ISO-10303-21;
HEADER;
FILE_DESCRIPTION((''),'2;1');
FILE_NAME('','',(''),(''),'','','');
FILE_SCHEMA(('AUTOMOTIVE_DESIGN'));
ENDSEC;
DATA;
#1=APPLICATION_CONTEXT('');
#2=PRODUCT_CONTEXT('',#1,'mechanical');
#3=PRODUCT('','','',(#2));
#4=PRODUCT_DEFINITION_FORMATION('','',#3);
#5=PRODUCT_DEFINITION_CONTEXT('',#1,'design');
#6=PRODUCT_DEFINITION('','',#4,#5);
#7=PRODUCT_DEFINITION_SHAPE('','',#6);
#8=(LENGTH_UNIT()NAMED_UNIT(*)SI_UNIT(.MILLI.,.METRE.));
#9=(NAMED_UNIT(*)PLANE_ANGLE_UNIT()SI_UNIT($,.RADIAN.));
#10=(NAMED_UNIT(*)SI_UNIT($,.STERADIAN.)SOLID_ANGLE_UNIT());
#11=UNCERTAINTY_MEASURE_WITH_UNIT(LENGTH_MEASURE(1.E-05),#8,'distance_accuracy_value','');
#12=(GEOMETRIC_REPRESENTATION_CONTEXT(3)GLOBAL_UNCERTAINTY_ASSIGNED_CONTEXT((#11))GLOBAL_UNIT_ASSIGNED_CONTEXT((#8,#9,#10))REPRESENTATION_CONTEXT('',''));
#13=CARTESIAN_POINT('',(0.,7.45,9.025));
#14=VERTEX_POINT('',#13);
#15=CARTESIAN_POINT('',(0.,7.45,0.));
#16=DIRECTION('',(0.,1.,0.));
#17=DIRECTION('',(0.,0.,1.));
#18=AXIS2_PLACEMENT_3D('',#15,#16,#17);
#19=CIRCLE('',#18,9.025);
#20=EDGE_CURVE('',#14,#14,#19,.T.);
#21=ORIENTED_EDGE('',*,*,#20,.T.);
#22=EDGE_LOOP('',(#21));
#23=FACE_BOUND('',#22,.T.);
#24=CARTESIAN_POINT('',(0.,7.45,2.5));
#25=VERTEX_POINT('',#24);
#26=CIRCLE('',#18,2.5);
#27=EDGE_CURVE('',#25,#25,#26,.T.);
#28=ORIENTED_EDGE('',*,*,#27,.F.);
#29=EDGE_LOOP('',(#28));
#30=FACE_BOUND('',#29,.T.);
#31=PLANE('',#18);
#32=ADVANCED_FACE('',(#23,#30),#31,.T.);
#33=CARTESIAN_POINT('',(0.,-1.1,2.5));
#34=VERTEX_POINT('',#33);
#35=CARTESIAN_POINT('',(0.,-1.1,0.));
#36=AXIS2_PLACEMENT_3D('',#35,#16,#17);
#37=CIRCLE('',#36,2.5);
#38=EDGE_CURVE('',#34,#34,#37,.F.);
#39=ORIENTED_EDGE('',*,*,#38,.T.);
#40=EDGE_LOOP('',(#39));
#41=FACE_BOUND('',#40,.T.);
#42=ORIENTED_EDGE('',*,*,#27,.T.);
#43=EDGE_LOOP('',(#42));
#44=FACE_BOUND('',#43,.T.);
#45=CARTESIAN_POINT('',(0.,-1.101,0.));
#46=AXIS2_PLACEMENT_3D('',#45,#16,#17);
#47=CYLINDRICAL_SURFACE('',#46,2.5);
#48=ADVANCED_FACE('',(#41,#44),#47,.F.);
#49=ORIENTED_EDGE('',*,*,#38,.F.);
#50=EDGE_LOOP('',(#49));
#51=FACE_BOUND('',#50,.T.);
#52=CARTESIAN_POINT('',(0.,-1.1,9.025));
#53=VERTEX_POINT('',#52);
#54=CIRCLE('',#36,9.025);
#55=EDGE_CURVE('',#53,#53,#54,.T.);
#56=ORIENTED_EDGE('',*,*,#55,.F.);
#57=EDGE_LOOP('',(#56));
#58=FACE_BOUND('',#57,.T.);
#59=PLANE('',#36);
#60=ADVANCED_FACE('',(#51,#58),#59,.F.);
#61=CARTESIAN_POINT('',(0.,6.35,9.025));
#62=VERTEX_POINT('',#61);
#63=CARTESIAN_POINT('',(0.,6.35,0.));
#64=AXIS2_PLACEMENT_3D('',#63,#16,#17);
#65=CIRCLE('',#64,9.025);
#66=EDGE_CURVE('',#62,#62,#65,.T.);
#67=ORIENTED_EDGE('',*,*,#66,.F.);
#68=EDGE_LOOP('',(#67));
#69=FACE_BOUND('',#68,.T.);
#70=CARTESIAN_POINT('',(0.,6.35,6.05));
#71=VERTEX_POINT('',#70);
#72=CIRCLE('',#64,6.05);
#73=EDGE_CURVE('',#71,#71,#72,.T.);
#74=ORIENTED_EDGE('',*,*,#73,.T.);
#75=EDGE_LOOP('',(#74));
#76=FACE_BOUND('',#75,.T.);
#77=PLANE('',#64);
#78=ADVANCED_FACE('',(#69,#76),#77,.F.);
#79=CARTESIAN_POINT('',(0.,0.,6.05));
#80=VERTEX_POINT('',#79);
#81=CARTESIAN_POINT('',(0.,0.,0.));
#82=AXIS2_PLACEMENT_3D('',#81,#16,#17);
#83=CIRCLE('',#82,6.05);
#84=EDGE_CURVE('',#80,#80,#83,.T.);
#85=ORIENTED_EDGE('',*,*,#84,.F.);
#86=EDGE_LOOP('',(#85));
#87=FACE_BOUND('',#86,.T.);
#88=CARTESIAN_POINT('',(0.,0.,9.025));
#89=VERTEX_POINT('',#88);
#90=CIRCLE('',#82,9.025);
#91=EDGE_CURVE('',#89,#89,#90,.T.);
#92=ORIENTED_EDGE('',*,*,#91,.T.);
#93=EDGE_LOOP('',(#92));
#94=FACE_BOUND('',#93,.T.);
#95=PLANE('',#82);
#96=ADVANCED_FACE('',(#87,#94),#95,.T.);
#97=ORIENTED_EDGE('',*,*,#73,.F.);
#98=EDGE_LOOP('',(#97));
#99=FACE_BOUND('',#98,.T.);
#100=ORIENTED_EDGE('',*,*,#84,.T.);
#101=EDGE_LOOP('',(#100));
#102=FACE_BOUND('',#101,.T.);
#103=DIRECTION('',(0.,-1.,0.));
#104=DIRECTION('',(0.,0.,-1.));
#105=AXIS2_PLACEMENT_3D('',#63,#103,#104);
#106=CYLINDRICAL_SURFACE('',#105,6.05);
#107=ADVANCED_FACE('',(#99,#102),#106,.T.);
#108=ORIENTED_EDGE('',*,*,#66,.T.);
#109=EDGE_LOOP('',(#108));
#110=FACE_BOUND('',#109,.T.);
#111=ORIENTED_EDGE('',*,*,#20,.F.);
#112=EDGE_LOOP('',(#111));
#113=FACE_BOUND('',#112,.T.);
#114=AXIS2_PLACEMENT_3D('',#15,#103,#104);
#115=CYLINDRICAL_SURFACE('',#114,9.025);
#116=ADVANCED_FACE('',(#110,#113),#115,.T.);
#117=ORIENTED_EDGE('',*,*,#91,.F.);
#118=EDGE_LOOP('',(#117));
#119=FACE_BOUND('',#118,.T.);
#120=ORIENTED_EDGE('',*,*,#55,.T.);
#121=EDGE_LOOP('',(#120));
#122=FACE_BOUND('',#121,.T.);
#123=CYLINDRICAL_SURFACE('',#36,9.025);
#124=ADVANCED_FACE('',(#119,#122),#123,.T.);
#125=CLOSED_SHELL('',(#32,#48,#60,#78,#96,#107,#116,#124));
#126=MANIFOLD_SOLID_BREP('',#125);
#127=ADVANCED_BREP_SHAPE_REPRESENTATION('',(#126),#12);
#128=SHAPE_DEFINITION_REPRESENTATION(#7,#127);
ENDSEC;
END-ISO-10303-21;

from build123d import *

# Parameters (mm, degrees)
SKETCH1_R           = 6.05
BOSS_EXTRUDE1_DEPTH = 6.35
SKETCH1_3_R         = 9.025
BOSS_EXTRUDE2_DEPTH = 1.1
BOSS_EXTRUDE3_START = 7.45
SKETCH1_4_R         = 9.025
BOSS_EXTRUDE3_DEPTH = 1.1
CUT_EXTRUDE1_REACH  = 17.362
SKETCH2_R           = 2.5


with BuildPart() as part:
    # Sketch1 → Boss-Extrude1 (new body)
    with BuildSketch(Plane(origin=(0, 0, 0), x_dir=(1, 0, 0), z_dir=(0, 1, 0))):
        Circle(SKETCH1_R)
    extrude(amount=BOSS_EXTRUDE1_DEPTH)

    # Sketch1<3> → Boss-Extrude2 (add)
    with BuildSketch(Plane(origin=(0, 0, 0), x_dir=(1, 0, 0), z_dir=(0, 1, 0))):
        Circle(SKETCH1_3_R)
    extrude(amount=-BOSS_EXTRUDE2_DEPTH)

    # Sketch1<4> → Boss-Extrude3 (add)
    with BuildSketch(Plane(origin=(0, 0, 0), x_dir=(1, 0, 0), z_dir=(0, 1, 0)).offset(BOSS_EXTRUDE3_START)):
        Circle(SKETCH1_4_R)
    extrude(amount=-BOSS_EXTRUDE3_DEPTH)

    # Sketch2 → Cut-Extrude1 (cut, up to next)
    with BuildSketch(Plane(origin=(0, 7.45, 0), x_dir=(1, 0, 0), z_dir=(0, 1, 0)), mode=Mode.PRIVATE) as cut_extrude1_sk1:
        Circle(SKETCH2_R)
    cut_extrude1_tool1 = extrude(cut_extrude1_sk1.sketch, amount=-CUT_EXTRUDE1_REACH, mode=Mode.PRIVATE) & part.part
    add(cut_extrude1_tool1.solids().sort_by_distance((0, 7.45, 0))[0], mode=Mode.SUBTRACT)


solid = part.part
